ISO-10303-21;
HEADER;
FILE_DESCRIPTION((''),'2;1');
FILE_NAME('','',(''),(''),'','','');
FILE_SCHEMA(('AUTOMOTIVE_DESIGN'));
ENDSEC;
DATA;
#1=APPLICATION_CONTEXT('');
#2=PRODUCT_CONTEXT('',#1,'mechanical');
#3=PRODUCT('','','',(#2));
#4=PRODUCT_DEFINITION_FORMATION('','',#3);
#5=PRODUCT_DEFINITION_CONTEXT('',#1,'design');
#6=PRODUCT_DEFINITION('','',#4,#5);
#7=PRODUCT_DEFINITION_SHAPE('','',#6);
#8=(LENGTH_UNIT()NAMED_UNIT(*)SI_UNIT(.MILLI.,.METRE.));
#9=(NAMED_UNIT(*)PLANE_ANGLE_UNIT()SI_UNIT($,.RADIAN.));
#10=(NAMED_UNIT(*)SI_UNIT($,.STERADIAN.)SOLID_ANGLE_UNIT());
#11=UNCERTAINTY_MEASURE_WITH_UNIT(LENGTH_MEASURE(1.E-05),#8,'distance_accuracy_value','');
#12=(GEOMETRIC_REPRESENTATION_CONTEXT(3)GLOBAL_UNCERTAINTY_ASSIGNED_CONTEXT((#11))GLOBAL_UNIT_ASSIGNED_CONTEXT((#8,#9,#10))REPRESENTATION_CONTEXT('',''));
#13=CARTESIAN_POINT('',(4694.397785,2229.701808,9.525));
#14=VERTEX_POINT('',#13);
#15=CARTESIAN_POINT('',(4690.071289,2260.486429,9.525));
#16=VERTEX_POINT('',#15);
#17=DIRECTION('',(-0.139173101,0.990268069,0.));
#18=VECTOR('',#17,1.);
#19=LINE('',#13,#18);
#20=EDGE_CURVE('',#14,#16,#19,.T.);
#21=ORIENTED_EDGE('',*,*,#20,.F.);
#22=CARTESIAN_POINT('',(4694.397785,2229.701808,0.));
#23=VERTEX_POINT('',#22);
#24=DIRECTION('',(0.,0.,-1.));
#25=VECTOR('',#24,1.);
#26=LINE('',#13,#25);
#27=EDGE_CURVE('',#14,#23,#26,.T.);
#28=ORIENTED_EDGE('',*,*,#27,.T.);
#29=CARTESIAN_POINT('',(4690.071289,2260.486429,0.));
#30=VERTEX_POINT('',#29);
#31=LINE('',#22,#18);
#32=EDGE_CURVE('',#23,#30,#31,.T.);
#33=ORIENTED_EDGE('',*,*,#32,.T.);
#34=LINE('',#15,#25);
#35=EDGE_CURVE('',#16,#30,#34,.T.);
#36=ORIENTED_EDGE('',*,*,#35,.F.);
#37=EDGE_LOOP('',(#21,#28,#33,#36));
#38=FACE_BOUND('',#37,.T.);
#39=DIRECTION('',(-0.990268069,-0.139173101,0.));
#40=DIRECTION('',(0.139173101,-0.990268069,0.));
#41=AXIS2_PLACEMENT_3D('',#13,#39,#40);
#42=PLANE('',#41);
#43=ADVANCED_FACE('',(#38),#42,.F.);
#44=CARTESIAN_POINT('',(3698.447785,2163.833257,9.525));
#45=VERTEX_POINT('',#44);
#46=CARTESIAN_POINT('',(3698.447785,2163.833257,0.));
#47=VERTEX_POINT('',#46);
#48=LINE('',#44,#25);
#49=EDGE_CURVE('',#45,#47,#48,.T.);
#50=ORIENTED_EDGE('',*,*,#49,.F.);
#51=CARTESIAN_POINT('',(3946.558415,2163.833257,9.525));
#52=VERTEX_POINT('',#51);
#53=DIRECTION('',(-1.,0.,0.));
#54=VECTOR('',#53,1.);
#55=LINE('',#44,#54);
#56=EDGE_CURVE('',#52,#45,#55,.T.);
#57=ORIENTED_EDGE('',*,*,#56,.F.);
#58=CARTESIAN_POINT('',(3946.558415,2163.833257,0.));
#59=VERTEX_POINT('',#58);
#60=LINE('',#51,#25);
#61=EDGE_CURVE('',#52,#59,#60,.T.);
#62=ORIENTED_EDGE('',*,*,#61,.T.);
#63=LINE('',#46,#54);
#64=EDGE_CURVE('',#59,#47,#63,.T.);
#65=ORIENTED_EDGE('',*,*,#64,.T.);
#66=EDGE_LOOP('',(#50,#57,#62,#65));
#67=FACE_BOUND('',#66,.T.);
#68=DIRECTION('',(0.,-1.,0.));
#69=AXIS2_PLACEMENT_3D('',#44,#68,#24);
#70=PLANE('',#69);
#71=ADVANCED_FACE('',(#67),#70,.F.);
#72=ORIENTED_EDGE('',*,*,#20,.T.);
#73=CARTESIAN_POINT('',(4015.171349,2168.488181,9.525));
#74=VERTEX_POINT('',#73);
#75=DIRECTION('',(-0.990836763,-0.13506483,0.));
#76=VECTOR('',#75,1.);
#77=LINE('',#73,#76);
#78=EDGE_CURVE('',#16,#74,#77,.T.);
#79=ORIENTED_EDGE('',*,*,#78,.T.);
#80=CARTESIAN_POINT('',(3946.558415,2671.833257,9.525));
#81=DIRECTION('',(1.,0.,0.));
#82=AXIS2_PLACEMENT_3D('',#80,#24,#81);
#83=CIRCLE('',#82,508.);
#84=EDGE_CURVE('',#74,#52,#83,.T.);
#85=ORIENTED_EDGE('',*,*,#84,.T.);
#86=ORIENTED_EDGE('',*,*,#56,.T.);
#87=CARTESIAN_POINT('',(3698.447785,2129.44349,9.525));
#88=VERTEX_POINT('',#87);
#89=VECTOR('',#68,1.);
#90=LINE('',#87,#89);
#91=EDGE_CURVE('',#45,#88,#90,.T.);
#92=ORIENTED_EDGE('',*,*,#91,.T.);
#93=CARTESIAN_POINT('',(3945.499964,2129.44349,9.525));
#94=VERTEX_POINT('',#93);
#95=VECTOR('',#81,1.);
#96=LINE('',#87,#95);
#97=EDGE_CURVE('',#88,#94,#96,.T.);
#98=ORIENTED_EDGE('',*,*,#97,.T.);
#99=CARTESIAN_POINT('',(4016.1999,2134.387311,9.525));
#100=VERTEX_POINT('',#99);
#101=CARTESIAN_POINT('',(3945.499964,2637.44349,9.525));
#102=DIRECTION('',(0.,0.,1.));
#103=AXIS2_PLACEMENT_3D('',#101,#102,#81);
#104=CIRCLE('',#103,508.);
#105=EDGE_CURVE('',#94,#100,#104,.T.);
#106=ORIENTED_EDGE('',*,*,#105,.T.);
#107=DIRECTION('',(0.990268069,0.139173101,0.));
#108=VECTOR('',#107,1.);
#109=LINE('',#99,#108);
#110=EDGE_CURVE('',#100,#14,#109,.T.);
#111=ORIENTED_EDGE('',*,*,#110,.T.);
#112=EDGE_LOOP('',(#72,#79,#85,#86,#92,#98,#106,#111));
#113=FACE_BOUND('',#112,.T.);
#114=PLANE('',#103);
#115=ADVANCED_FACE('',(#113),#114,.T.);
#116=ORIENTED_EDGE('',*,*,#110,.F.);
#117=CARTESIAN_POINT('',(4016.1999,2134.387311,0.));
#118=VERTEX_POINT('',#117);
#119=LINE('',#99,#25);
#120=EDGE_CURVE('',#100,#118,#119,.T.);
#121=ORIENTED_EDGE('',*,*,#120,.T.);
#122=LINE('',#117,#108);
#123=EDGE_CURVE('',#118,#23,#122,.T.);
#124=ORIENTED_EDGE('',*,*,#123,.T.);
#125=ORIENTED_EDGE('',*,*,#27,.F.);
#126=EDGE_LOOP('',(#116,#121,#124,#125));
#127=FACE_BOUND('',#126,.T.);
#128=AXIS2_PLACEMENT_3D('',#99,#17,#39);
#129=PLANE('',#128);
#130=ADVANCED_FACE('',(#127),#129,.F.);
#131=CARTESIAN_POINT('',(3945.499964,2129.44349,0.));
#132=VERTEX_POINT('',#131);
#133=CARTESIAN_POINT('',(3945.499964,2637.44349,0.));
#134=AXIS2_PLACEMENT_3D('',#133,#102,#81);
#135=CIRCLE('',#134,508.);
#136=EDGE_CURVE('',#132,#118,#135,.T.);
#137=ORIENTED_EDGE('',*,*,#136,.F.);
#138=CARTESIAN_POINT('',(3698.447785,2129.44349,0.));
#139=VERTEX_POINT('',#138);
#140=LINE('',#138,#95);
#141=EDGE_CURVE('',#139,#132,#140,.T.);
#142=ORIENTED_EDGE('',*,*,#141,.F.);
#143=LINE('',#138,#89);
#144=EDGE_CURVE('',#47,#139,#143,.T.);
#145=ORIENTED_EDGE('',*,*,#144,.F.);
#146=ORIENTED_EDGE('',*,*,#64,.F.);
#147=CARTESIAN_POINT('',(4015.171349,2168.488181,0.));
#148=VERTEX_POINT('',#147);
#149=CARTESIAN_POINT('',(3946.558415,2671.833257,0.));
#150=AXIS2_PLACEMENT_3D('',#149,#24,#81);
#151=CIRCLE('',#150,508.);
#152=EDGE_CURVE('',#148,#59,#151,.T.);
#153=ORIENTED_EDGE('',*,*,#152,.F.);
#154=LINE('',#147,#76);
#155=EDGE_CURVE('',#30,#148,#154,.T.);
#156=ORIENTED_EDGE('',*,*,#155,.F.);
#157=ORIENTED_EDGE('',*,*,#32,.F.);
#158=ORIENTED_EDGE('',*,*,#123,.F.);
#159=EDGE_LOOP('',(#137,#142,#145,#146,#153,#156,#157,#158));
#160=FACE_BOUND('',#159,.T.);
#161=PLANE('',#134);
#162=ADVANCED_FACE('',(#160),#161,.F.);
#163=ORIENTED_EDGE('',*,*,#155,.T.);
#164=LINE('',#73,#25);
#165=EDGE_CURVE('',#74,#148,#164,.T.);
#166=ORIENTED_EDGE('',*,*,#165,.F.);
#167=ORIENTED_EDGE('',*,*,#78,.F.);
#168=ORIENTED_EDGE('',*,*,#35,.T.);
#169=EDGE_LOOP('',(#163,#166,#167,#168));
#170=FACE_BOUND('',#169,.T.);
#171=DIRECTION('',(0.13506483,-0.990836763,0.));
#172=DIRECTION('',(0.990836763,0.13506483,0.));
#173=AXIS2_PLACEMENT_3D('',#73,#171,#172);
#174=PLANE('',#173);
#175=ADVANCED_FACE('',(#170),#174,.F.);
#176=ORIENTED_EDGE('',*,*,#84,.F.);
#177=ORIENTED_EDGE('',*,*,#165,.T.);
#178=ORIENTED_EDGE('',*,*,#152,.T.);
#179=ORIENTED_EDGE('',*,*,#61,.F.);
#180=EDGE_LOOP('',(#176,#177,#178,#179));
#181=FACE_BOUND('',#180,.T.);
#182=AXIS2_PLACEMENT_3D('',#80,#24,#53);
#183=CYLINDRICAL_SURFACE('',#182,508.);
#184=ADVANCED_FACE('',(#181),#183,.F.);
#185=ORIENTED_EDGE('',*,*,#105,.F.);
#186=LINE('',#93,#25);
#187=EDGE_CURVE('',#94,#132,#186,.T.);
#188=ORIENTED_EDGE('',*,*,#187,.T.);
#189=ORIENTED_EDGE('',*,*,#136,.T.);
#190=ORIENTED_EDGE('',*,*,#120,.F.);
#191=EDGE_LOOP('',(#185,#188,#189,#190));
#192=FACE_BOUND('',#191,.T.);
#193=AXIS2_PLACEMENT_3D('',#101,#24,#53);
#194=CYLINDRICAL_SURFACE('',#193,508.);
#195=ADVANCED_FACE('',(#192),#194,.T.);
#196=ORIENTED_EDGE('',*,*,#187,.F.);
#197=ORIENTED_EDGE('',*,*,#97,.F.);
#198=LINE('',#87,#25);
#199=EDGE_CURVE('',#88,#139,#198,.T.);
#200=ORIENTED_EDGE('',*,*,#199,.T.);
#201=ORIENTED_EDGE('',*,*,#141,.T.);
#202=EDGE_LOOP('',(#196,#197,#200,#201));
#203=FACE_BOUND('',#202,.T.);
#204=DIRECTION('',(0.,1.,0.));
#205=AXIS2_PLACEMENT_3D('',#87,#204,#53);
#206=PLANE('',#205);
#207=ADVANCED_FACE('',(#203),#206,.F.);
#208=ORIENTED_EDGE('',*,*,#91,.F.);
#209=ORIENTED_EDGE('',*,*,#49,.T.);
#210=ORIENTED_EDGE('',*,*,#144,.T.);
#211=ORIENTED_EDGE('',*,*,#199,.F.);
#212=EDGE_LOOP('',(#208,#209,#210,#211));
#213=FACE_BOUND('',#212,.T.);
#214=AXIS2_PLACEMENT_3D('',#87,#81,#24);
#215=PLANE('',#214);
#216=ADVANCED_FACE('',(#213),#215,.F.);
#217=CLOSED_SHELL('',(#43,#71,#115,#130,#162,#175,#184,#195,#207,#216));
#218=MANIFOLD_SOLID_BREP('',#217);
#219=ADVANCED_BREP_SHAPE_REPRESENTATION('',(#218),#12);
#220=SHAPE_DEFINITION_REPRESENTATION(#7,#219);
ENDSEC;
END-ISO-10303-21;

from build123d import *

# Parameters (mm, degrees)
BOSS_EXTRUDE1_DEPTH = 9.525


with BuildPart() as part:
    # Sketch1 → Boss-Extrude1 (new body)
    with BuildSketch(Plane.XY):
        with BuildLine():
            Line((3698.447784852, 2129.443490028), (3698.447784852, 2163.833257171))
            Line((3698.447784852, 2163.833257171), (3946.558415395, 2163.833257171))
            ThreePointArc((3946.558415395, 2163.833257171), (3980.94374292, 2164.998324228), (4015.171349136, 2168.48818138))
            Line((4015.171349136, 2168.48818138), (4690.071288545, 2260.486428809))
            Line((4690.071288545, 2260.486428809), (4694.397784852, 2229.701807984))
            Line((4694.397784852, 2229.701807984), (4016.199899672, 2134.387311107))
            ThreePointArc((4016.199899672, 2134.387311107), (3980.936253046, 2130.680952496), (3945.499964384, 2129.443490028))
            Line((3945.499964384, 2129.443490028), (3698.447784852, 2129.443490028))
        make_face()
    extrude(amount=BOSS_EXTRUDE1_DEPTH)


solid = part.part
